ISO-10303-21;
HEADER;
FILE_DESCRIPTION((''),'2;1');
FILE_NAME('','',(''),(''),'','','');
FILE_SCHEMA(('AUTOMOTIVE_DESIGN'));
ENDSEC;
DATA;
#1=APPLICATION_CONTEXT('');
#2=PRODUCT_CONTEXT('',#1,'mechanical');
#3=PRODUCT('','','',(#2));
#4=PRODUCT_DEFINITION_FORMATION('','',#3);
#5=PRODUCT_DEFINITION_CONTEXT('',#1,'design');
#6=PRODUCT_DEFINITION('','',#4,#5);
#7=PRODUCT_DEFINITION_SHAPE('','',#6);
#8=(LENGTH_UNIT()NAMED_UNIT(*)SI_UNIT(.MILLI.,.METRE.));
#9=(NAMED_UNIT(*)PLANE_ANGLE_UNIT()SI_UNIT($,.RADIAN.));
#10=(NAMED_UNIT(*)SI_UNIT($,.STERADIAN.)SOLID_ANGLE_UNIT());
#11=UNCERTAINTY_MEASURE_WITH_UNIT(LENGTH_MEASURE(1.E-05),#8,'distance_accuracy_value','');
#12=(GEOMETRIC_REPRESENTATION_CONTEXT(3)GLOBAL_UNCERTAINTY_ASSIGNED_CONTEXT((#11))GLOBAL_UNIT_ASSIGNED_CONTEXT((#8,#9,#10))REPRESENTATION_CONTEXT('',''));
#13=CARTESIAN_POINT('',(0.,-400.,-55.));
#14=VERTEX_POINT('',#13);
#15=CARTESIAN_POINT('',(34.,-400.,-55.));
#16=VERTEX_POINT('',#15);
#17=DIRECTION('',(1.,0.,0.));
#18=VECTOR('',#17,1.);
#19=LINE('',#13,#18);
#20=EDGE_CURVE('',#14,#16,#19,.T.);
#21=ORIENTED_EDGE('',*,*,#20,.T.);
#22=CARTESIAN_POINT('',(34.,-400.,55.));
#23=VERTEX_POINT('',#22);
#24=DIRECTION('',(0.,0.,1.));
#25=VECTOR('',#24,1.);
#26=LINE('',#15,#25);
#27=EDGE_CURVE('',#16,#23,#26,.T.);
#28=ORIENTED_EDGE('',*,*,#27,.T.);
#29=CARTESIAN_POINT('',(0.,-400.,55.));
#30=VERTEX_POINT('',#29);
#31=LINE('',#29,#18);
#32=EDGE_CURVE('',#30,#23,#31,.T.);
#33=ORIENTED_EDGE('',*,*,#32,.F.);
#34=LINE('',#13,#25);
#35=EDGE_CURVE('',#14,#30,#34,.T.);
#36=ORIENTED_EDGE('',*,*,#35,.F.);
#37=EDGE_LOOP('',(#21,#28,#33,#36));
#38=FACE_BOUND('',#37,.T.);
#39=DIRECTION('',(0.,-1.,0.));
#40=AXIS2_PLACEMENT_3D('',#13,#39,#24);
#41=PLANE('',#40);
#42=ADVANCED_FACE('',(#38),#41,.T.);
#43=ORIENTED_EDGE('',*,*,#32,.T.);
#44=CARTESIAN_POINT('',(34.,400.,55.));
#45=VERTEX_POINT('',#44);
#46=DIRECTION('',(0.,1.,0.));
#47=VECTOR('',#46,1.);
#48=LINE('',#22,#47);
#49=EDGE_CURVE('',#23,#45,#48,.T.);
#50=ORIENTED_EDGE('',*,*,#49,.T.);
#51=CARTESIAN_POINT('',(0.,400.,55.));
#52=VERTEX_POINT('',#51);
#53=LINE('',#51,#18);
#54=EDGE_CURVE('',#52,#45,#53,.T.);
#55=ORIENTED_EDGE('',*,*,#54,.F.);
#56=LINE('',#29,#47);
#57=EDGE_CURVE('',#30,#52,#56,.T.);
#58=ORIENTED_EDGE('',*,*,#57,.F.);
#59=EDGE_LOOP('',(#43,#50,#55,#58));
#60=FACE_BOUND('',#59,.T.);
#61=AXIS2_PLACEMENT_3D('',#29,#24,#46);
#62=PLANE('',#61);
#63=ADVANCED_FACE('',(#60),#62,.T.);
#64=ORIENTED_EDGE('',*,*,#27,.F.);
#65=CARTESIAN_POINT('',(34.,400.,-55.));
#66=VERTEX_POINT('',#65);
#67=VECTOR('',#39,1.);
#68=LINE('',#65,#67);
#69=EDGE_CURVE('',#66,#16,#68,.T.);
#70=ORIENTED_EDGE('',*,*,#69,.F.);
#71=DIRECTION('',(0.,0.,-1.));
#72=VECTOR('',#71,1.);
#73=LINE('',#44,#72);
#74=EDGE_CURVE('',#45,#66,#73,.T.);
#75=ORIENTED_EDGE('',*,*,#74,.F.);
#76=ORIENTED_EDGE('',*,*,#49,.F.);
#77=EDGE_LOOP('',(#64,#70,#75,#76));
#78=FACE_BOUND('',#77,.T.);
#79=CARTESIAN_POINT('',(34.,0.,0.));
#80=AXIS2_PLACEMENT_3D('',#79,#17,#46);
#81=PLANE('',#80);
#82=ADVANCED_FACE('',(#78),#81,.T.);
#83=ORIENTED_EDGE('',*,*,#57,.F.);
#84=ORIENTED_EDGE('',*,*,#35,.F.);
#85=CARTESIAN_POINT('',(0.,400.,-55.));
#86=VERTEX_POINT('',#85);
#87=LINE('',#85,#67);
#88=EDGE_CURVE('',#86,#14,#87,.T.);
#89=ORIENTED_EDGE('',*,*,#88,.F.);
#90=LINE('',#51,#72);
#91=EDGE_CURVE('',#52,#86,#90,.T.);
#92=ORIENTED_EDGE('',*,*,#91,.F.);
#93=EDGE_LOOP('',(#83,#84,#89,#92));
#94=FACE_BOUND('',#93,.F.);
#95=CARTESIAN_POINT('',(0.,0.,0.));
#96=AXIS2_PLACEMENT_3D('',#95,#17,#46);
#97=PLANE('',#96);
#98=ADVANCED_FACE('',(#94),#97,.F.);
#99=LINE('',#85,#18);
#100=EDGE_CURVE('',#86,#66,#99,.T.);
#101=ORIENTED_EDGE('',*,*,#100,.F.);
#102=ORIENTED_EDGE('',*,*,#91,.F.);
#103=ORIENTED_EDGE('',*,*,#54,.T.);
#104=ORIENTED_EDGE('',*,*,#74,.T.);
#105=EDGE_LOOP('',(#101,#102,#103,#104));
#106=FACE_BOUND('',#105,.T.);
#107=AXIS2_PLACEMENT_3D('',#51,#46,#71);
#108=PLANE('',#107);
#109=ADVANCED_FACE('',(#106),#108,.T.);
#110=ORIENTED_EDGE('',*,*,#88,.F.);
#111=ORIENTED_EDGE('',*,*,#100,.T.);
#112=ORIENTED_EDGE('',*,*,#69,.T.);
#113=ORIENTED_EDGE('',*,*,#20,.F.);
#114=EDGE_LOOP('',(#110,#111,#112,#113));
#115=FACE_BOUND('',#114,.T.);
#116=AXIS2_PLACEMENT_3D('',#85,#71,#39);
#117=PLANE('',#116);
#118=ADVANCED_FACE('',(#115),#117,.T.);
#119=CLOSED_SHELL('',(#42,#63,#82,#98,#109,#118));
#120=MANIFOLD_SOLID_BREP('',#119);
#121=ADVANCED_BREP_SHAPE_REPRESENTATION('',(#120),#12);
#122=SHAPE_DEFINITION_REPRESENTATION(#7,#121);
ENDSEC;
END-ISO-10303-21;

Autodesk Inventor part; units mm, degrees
ref_plane "YZ Plane" through (0, 0, 0) normal (1, 0, 0) x (0, 1, 0)
ref_plane "XZ Plane" through (0, 0, 0) normal (0, 1, 0) x (-1, 0, 0)
ref_plane "XY Plane" through (0, 0, 0) normal (0, 0, 1) x (1, 0, 0)
sketch "Sketch1" plane through (0, 0, 0) normal (1, 0, 0) x (0, 1, 0)
  line L0 (-400, 55) -> (400, 55)
  line L1 (400, 55) -> (400, -55)
  line L2 (400, -55) -> (-400, -55)
  line L3 (-400, -55) -> (-400, 55)
  line L4 (-400, 55) -> (400, -55) construction
  line L5 (400, 55) -> (-400, -55) construction
  point P0 (0, 0)
  dimension "d0" = 800
  dimension "d1" = 110
extrude "Extrusion1" add sketch "Sketch1" along normal blind 34
properties part number "UprightStand_Back"
